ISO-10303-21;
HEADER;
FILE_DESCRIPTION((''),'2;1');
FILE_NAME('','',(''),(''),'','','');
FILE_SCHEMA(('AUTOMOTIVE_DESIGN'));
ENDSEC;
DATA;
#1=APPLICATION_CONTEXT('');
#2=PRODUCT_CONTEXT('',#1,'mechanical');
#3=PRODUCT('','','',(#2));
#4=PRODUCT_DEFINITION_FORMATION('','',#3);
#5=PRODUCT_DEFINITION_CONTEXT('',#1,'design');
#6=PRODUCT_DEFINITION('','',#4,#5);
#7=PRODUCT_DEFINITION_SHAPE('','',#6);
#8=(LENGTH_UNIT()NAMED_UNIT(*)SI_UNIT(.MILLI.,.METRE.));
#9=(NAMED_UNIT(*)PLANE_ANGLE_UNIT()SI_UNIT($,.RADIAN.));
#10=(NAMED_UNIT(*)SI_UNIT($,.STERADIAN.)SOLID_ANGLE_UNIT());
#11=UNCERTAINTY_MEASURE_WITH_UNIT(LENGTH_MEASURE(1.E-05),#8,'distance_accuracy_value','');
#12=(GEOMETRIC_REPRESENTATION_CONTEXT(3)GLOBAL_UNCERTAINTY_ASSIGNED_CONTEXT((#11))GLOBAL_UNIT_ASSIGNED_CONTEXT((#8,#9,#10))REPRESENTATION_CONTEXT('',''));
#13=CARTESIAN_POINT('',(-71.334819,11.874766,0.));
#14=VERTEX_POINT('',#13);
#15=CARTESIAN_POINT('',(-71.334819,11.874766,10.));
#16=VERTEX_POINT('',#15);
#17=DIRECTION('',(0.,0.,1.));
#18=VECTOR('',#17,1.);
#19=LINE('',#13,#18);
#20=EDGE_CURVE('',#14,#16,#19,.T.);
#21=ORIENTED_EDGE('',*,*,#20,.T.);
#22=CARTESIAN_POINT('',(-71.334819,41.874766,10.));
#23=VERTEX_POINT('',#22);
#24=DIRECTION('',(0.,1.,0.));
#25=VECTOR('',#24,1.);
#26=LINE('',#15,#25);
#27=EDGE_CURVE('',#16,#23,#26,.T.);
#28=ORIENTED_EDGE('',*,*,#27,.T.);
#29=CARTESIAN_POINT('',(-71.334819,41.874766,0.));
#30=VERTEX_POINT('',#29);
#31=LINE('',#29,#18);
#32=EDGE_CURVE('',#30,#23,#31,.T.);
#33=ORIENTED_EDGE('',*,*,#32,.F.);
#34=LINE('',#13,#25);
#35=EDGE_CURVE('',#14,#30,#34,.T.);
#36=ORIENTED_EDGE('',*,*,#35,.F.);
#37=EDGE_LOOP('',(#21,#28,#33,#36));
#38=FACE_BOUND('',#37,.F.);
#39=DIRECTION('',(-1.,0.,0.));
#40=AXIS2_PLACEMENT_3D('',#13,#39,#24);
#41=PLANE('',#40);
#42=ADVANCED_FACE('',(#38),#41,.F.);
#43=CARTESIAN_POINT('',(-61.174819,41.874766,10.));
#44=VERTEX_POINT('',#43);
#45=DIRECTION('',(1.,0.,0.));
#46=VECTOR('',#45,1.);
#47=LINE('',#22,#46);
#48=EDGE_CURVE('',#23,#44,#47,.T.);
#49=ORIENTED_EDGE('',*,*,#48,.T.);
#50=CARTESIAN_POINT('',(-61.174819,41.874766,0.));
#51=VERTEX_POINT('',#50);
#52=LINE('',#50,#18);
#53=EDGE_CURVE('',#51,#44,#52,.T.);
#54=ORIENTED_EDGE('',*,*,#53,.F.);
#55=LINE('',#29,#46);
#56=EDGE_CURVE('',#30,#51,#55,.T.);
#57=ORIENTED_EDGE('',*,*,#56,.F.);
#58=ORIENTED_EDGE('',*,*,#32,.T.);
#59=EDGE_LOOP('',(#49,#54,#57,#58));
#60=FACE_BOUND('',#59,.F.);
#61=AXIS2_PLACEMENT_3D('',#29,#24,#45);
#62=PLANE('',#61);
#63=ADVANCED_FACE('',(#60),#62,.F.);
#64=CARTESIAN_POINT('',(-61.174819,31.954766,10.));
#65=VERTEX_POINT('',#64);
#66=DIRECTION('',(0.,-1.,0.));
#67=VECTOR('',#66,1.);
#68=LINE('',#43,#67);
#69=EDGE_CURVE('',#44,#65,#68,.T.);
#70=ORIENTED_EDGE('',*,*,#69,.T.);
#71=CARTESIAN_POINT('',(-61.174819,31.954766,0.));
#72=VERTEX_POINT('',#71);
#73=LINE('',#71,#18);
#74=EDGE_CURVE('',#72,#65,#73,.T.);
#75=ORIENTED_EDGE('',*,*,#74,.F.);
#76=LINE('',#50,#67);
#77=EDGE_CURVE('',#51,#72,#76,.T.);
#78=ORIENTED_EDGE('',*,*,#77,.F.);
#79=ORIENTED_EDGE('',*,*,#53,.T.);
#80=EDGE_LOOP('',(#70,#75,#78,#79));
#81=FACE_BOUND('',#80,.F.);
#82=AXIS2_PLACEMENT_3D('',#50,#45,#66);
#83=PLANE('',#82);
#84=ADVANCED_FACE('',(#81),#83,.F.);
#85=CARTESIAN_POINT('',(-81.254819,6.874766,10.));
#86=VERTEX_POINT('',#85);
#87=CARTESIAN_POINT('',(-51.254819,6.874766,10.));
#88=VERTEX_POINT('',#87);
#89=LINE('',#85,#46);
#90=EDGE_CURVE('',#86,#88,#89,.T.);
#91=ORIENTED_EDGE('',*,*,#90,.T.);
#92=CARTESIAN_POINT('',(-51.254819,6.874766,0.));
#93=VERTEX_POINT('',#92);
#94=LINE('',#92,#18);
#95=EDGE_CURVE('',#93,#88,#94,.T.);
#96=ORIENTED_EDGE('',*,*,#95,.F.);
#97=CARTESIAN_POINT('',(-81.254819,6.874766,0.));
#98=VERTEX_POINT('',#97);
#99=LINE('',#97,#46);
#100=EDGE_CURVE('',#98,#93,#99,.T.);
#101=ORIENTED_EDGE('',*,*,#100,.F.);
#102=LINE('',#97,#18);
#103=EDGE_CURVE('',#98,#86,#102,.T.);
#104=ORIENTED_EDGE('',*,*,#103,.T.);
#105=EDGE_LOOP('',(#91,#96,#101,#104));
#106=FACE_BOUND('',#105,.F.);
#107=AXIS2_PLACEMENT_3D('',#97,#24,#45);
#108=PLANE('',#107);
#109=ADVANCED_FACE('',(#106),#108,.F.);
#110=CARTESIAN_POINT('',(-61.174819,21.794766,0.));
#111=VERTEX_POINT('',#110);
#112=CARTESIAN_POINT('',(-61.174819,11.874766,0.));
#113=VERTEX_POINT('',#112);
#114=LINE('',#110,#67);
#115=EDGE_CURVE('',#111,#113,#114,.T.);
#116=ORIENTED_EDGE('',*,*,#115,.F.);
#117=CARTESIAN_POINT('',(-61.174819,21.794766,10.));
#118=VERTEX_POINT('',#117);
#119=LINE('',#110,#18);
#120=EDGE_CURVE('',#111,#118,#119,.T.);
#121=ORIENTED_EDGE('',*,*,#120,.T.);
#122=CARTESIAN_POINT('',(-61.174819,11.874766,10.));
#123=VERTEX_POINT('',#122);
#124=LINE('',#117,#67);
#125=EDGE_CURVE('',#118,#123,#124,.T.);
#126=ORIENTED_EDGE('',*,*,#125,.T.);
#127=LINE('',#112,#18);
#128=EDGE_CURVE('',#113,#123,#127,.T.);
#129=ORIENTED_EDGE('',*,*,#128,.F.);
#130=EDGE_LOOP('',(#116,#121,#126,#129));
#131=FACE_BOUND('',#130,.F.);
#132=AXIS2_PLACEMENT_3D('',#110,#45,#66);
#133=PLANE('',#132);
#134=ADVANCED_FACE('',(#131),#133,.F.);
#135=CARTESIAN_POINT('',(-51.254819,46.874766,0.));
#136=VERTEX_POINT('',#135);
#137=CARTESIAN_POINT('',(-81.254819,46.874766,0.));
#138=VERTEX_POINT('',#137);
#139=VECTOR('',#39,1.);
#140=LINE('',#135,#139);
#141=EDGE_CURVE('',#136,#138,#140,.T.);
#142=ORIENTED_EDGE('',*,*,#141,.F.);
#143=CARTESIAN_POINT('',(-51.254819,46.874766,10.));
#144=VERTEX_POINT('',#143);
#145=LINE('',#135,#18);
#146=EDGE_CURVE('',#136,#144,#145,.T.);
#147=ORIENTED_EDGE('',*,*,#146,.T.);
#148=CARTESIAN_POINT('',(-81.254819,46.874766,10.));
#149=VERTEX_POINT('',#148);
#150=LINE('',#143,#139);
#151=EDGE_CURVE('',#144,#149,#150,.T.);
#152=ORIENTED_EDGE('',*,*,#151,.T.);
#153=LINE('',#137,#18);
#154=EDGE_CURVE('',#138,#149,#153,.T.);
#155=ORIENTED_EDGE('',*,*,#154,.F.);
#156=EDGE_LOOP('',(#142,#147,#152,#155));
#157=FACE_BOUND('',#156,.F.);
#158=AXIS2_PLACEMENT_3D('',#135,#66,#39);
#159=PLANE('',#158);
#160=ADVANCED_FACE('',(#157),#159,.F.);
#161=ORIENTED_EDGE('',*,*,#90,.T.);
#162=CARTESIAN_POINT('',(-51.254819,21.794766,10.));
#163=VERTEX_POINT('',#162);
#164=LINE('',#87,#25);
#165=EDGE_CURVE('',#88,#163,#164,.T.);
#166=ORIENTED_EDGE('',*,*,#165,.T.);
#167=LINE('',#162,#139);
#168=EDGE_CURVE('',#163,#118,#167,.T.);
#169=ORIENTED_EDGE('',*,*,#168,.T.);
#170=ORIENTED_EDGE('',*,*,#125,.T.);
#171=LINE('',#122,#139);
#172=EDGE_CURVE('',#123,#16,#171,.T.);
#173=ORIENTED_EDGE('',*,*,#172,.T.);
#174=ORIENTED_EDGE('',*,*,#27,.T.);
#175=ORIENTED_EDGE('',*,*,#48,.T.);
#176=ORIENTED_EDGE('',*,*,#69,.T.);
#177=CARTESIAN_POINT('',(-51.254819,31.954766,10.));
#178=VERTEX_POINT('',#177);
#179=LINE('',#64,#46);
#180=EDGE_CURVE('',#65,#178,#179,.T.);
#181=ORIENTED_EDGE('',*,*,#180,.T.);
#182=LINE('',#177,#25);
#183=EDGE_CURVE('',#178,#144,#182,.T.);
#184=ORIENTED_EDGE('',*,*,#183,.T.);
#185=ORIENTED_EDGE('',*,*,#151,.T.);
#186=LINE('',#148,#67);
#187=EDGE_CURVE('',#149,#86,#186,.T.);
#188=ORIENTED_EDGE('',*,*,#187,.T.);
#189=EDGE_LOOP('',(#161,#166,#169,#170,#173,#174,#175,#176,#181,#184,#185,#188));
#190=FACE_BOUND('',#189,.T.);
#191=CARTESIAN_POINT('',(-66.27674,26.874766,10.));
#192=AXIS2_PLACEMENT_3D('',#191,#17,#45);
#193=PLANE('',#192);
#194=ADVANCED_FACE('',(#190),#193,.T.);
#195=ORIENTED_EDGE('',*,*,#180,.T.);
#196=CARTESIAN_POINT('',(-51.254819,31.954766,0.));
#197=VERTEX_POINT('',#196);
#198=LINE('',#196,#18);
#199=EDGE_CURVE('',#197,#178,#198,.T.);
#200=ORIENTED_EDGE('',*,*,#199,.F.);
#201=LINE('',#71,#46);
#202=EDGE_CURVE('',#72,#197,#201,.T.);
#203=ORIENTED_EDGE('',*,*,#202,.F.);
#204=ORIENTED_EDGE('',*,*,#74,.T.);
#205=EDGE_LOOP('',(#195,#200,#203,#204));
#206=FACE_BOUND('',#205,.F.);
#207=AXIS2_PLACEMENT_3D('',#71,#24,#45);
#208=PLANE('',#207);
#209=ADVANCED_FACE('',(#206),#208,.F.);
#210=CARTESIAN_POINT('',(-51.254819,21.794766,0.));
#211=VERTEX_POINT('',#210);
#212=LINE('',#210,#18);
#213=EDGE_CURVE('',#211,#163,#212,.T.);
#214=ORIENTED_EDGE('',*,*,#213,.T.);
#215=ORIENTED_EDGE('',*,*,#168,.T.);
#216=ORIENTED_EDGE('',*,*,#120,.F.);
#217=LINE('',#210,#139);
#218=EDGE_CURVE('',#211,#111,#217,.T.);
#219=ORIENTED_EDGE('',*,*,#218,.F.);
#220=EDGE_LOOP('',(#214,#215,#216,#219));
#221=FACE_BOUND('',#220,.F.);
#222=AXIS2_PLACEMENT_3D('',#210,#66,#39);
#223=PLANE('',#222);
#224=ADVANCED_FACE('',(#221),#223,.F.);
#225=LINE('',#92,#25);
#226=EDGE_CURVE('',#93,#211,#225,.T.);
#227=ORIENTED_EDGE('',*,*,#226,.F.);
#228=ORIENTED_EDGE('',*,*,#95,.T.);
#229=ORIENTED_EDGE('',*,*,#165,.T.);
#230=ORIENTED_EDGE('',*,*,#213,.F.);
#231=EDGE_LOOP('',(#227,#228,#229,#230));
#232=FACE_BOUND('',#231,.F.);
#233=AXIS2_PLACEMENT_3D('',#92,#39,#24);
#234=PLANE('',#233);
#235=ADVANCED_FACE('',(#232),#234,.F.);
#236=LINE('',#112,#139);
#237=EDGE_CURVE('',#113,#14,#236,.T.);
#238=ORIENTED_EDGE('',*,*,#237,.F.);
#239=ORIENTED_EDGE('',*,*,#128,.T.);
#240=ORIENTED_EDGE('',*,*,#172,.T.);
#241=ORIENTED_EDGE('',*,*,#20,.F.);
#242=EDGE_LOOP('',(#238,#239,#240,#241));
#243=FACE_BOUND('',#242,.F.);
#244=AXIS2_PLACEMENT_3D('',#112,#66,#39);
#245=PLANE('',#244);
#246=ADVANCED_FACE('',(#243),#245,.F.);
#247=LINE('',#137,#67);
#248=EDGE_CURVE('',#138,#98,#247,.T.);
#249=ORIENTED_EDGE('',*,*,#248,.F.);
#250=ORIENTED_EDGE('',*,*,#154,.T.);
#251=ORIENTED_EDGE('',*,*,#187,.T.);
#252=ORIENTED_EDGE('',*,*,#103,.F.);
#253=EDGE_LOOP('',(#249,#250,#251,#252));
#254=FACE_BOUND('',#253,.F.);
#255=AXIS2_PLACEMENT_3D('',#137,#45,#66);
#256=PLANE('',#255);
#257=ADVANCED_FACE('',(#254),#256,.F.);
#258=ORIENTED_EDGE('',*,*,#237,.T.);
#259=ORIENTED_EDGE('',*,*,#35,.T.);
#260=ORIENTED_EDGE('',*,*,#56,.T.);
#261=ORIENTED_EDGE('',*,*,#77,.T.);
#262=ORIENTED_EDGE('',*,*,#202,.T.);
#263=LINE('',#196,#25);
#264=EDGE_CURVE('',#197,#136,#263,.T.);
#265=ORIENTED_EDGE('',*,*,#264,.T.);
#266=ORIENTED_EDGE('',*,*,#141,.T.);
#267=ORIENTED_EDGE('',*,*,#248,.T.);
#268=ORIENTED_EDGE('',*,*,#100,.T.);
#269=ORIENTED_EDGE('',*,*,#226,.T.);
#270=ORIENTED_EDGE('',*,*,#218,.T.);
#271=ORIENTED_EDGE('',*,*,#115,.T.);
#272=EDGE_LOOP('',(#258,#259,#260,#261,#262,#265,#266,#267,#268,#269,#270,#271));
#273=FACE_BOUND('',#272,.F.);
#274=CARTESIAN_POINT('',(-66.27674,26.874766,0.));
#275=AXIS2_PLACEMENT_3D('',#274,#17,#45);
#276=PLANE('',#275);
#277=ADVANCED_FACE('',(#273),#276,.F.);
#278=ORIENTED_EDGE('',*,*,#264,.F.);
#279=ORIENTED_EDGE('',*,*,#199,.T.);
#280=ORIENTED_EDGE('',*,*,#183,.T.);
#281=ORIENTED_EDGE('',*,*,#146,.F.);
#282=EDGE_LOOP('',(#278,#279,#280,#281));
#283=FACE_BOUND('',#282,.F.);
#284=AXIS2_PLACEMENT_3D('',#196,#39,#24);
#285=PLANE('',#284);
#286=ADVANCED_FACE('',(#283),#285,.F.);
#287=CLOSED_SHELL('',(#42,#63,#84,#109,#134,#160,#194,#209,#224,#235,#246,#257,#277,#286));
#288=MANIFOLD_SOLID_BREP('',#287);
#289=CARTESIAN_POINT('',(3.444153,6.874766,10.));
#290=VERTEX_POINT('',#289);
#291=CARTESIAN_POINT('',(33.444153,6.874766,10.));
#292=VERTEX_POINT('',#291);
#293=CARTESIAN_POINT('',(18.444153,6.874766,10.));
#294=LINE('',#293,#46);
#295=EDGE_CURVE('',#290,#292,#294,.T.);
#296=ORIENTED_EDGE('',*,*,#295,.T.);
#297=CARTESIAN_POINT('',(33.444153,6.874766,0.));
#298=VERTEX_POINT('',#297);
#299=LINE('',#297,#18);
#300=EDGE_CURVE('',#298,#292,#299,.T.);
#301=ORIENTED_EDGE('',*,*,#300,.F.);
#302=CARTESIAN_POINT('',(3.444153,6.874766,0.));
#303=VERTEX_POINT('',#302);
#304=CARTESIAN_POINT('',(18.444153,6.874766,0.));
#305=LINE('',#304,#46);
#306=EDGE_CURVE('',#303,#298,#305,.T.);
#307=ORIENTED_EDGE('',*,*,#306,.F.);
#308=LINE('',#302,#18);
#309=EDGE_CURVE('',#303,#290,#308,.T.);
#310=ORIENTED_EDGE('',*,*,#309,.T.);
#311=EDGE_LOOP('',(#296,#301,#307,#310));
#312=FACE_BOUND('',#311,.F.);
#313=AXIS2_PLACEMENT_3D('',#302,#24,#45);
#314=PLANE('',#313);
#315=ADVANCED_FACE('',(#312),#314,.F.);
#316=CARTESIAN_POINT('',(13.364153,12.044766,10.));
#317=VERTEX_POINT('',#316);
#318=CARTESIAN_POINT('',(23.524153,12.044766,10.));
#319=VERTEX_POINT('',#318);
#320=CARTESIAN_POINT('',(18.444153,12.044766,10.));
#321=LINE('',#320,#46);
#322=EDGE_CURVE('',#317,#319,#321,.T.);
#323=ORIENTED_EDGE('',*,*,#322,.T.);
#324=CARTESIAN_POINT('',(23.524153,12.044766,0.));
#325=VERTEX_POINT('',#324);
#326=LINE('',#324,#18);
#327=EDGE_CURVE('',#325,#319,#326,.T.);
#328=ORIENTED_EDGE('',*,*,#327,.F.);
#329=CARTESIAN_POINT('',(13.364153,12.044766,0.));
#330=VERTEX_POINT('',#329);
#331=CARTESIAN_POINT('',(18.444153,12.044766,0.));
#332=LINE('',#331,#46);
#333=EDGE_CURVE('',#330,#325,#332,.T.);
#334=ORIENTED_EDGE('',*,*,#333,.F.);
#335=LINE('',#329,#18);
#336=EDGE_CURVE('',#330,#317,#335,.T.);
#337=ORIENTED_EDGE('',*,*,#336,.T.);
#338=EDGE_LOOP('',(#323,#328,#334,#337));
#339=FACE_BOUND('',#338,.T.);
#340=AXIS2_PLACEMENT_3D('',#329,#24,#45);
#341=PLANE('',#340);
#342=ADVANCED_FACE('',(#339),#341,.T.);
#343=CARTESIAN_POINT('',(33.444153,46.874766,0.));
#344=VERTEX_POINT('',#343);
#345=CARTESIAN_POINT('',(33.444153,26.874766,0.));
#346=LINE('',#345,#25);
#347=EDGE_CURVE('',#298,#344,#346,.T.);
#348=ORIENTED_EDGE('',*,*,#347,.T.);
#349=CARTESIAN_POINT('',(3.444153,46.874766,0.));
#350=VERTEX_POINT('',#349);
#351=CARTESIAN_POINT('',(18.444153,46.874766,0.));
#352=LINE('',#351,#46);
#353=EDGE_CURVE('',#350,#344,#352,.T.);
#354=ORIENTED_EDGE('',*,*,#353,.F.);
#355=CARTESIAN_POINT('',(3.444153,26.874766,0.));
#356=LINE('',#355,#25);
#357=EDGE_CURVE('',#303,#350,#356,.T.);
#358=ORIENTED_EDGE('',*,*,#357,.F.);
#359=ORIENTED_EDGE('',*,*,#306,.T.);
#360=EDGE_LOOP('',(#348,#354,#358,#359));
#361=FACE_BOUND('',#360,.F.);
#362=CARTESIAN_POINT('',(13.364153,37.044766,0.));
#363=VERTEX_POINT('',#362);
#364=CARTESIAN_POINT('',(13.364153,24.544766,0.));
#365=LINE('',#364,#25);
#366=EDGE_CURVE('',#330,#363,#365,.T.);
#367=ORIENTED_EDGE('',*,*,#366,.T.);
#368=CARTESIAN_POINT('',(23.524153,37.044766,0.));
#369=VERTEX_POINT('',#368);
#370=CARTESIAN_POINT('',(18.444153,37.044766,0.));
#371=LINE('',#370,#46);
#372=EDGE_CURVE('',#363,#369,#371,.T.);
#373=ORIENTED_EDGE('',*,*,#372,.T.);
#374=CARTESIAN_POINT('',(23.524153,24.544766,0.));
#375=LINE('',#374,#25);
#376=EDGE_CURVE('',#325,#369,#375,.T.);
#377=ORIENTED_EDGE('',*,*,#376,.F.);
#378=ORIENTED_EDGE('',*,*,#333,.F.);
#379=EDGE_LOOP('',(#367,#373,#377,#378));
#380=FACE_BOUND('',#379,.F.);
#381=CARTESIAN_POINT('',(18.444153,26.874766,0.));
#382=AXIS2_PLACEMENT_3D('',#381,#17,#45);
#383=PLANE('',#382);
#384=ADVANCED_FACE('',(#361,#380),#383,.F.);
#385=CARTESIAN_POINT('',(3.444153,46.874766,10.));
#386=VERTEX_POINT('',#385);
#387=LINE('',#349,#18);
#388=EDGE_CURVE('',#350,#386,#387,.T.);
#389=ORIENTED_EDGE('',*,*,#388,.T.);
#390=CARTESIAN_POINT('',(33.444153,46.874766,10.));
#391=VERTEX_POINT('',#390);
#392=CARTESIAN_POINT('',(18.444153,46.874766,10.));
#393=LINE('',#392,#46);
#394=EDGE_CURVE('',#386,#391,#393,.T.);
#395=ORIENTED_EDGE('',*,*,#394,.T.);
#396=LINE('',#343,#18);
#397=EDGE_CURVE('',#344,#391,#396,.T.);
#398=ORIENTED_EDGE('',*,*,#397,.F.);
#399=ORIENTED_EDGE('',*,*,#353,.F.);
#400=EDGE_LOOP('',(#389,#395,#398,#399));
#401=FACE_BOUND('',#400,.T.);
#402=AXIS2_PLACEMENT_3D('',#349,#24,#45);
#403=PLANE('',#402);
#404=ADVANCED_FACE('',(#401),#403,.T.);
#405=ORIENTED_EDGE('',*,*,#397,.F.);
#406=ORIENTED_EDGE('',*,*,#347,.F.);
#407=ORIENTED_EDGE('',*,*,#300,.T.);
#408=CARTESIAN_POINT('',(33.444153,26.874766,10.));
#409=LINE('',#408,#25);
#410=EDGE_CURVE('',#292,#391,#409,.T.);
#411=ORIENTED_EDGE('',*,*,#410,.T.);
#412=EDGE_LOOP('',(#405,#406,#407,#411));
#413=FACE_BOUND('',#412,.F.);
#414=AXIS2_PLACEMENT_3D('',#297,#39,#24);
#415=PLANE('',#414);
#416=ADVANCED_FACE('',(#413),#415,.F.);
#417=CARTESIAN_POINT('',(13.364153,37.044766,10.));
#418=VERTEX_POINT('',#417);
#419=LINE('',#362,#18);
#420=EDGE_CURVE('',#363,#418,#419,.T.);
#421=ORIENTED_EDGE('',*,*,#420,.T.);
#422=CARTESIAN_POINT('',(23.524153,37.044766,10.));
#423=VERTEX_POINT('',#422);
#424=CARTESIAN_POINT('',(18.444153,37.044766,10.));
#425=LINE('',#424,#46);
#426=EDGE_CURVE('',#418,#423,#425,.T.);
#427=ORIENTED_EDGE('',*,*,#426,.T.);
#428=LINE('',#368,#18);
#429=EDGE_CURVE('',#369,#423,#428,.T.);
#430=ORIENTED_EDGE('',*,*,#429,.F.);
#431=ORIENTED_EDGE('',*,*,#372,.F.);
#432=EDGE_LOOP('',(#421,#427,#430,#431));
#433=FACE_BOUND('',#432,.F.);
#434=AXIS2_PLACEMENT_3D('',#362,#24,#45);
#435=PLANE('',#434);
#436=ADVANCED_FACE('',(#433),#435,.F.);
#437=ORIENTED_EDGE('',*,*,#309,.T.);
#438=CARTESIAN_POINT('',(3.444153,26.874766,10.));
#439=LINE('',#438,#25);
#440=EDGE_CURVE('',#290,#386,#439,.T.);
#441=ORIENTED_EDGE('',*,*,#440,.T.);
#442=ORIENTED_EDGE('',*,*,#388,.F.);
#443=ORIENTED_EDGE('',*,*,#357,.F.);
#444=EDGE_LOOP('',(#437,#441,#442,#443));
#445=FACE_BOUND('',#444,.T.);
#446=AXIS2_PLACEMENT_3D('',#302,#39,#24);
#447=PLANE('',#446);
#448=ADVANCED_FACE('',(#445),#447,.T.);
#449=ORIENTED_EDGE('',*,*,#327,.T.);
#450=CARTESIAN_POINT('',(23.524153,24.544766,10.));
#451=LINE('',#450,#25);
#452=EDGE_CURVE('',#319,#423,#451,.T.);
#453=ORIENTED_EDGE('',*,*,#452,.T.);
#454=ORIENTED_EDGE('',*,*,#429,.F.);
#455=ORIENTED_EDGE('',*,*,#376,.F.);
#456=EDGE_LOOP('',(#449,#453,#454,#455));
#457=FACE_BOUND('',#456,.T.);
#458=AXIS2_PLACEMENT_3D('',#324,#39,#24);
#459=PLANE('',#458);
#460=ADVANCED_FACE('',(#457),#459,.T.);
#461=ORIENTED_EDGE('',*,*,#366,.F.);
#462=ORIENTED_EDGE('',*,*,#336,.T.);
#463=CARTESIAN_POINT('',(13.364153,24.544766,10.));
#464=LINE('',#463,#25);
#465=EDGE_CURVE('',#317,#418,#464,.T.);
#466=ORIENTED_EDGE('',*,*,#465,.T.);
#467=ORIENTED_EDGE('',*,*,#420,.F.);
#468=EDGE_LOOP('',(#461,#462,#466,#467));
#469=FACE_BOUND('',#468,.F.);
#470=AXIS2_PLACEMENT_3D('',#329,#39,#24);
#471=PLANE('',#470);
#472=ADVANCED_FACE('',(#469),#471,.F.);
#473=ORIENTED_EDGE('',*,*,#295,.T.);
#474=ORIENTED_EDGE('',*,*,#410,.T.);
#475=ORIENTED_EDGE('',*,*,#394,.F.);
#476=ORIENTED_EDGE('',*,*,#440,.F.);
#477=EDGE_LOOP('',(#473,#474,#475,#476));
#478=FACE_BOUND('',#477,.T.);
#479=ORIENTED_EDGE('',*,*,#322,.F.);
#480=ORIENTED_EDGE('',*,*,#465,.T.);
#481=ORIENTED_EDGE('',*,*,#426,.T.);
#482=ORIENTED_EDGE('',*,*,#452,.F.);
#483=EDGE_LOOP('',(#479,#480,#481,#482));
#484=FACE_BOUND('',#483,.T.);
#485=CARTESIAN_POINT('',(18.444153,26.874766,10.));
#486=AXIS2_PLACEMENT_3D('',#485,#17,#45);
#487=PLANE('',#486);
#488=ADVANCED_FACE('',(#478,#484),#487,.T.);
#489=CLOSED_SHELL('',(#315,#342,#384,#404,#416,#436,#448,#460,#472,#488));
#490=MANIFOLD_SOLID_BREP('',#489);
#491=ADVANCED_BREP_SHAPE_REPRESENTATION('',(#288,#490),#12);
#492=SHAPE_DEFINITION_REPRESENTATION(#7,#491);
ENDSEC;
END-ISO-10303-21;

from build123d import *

# Parameters (mm, degrees)
F0_W     = 30
F0_H     = 40
F0_W_2   = 10.16
F0_H_2   = 25
F1_DEPTH = 10


with BuildPart() as f1:
    # F0 (on Top) → F1 (new body)
    with BuildSketch(Plane.XY):
        Polygon((-51.254819, 31.954766), (-51.254819, 46.874766), (-81.254819, 46.874766), (-81.254819, 6.874766), (-51.254819, 6.874766), (-51.254819, 21.794766), (-61.174819, 21.794766), (-61.174819, 11.874766), (-71.334819, 11.874766), (-71.334819, 41.874766), (-61.174819, 41.874766), (-61.174819, 31.954766), align=None)
        with Locations((18.444153, 26.874766)):
            Rectangle(F0_W, F0_H)
        with Locations((18.444153, 24.544766)):
            Rectangle(F0_W_2, F0_H_2, mode=Mode.SUBTRACT)
    extrude(amount=F1_DEPTH)


solid = f1.part
